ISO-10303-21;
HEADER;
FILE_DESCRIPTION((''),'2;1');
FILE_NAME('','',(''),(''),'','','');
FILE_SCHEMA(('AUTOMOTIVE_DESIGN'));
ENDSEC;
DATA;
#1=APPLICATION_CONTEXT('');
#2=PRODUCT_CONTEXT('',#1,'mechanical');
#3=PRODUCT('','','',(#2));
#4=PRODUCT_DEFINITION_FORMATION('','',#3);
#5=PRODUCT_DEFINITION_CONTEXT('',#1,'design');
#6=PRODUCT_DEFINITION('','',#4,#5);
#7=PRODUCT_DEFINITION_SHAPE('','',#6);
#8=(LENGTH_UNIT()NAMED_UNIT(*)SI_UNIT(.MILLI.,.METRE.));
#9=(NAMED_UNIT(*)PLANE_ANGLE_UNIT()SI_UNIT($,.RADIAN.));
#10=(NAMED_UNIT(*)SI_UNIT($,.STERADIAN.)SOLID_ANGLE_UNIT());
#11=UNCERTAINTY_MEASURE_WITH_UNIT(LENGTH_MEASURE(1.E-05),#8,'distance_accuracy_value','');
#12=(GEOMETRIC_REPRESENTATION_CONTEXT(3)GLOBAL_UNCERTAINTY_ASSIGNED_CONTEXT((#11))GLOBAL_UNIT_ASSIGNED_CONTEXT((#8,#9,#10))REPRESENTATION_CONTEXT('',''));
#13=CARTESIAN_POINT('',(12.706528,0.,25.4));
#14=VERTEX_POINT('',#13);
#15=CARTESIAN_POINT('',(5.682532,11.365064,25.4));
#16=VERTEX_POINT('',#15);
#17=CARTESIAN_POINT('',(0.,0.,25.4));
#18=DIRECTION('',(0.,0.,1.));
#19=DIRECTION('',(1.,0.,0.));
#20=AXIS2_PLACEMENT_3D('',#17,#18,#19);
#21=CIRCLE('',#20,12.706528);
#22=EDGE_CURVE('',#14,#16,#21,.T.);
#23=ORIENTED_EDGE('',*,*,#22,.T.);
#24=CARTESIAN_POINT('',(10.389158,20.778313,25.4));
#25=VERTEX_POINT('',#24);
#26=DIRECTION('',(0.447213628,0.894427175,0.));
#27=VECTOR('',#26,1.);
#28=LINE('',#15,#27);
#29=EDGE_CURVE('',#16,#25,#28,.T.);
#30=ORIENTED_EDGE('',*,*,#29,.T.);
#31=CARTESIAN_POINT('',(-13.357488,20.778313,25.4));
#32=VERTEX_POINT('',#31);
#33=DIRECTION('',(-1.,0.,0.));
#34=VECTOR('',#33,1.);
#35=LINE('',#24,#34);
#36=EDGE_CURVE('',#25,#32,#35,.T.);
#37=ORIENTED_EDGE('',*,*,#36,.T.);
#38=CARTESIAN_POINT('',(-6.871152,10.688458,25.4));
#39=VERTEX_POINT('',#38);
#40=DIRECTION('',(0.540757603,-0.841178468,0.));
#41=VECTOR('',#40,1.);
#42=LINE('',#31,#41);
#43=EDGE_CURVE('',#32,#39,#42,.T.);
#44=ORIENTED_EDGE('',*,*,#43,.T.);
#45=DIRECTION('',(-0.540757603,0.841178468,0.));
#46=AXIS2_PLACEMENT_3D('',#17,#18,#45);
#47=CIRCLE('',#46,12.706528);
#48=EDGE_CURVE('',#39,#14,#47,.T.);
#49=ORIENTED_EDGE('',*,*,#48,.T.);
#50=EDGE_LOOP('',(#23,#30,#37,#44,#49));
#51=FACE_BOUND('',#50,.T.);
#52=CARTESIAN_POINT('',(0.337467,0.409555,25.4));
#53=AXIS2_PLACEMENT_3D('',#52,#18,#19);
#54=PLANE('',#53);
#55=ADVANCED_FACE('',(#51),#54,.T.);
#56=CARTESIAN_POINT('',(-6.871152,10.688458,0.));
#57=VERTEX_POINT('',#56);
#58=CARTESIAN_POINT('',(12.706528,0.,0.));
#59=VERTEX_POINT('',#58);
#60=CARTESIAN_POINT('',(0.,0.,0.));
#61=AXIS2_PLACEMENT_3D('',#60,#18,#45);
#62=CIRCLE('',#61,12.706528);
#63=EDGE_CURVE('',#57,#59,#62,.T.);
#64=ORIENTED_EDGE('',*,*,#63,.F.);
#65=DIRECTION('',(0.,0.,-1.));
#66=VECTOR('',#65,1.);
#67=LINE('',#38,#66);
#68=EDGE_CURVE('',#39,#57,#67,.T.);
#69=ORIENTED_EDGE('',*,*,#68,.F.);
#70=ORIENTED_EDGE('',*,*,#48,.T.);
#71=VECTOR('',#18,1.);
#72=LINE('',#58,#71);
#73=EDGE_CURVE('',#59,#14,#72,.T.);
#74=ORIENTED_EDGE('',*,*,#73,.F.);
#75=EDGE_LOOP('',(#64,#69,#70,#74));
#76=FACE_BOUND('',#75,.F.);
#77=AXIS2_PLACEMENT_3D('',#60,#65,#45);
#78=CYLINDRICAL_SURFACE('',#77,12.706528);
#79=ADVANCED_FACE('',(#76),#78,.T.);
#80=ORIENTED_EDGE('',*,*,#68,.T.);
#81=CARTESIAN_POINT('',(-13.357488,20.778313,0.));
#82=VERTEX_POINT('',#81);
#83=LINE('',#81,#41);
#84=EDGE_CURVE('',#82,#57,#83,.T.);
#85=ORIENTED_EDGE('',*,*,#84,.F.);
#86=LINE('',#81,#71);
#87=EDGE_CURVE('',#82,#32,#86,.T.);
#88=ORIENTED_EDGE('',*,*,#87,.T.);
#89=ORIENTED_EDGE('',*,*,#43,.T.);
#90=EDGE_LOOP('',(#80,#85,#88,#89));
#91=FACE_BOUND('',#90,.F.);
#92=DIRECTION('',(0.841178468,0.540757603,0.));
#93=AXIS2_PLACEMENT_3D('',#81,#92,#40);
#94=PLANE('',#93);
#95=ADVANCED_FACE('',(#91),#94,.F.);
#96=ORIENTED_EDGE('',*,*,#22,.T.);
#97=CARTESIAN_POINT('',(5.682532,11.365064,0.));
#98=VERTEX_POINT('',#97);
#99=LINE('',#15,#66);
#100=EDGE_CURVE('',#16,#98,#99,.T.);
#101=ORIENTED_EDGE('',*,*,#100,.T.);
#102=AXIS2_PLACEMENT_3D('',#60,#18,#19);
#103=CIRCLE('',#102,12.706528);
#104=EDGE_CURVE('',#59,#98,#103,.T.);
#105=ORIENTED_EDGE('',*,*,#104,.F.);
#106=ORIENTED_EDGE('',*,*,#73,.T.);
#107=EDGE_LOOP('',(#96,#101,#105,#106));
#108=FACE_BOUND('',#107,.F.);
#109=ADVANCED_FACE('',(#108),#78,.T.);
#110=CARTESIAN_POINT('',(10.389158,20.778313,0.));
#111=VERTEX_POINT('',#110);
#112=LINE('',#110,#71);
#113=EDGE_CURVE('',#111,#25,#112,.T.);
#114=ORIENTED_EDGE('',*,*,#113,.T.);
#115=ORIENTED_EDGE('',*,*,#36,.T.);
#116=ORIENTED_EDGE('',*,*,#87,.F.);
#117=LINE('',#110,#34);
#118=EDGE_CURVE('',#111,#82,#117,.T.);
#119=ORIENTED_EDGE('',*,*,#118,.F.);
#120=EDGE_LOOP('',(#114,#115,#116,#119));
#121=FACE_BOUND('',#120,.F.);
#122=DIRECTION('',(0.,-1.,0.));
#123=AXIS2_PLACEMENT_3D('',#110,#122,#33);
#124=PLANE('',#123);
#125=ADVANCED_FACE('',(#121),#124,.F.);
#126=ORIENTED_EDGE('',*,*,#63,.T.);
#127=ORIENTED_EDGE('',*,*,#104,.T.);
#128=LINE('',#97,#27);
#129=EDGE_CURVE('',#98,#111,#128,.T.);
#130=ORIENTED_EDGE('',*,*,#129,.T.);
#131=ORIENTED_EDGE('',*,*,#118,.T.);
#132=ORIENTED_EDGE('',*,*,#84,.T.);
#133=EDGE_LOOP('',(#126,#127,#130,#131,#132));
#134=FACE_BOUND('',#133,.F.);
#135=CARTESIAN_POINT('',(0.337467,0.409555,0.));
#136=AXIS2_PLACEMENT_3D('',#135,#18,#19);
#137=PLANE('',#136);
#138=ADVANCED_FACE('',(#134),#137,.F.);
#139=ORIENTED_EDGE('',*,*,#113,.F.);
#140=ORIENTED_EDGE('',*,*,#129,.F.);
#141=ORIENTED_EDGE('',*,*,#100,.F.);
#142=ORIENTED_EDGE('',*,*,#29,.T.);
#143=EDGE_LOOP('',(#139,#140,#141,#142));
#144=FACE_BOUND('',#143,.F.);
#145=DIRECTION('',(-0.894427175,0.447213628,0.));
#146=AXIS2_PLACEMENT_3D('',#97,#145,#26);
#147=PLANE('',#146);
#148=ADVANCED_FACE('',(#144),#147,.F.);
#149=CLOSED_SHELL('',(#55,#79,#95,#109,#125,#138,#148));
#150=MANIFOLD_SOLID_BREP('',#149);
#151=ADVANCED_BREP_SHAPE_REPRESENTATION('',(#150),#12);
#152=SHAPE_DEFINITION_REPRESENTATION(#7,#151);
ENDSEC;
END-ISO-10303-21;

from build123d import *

# Parameters (mm, degrees)
F1_DEPTH = 20.32
F2_DEPTH = 25.4


with BuildPart() as f1:
    # F0 (on Top) → F1 (new body)
    with BuildSketch(Plane.XY):
        with BuildLine():
            ThreePointArc((-6.8711515938, 10.6884577154), (-6.0888165016, -11.152675292), (12.7065279506, 0))
            ThreePointArc((12.7065279506, 0), (10.8088183923, 6.6802168769), (5.6825324586, 11.3650638985))
            Line((5.6825324586, 11.3650638985), (0, 0))
            Line((0, 0), (-6.8711515938, 10.6884577154))
        make_face()
        with BuildLine():
            Line((0, 0), (5.6825324586, 11.3650638985))
            ThreePointArc((5.6825324586, 11.3650638985), (-0.6838514779, 12.6881125356), (-6.8711515938, 10.6884577154))
            Line((-6.8711515938, 10.6884577154), (0, 0))
        make_face()
    extrude(amount=F1_DEPTH)

    # F0 (on Top) → F2 (join)
    with BuildSketch(Plane.XY):
        with BuildLine():
            ThreePointArc((-6.8711515938, 10.6884577154), (-6.0888165016, -11.152675292), (12.7065279506, 0))
            ThreePointArc((12.7065279506, 0), (10.8088183923, 6.6802168769), (5.6825324586, 11.3650638985))
            Line((5.6825324586, 11.3650638985), (0, 0))
            Line((0, 0), (-6.8711515938, 10.6884577154))
        make_face()
        with BuildLine():
            Line((0, 0), (5.6825324586, 11.3650638985))
            ThreePointArc((5.6825324586, 11.3650638985), (-0.6838514779, 12.6881125356), (-6.8711515938, 10.6884577154))
            Line((-6.8711515938, 10.6884577154), (0, 0))
        make_face()
        with BuildLine():
            ThreePointArc((-6.8711515938, 10.6884577154), (-0.6838514779, 12.6881125356), (5.6825324586, 11.3650638985))
            Line((5.6825324586, 11.3650638985), (10.3891575709, 20.7783132792))
            Line((10.3891575709, 20.7783132792), (-13.3574875072, 20.7783132792))
            Line((-13.3574875072, 20.7783132792), (-6.8711515938, 10.6884577154))
        make_face()
    extrude(amount=F2_DEPTH)


solid = f1.part
